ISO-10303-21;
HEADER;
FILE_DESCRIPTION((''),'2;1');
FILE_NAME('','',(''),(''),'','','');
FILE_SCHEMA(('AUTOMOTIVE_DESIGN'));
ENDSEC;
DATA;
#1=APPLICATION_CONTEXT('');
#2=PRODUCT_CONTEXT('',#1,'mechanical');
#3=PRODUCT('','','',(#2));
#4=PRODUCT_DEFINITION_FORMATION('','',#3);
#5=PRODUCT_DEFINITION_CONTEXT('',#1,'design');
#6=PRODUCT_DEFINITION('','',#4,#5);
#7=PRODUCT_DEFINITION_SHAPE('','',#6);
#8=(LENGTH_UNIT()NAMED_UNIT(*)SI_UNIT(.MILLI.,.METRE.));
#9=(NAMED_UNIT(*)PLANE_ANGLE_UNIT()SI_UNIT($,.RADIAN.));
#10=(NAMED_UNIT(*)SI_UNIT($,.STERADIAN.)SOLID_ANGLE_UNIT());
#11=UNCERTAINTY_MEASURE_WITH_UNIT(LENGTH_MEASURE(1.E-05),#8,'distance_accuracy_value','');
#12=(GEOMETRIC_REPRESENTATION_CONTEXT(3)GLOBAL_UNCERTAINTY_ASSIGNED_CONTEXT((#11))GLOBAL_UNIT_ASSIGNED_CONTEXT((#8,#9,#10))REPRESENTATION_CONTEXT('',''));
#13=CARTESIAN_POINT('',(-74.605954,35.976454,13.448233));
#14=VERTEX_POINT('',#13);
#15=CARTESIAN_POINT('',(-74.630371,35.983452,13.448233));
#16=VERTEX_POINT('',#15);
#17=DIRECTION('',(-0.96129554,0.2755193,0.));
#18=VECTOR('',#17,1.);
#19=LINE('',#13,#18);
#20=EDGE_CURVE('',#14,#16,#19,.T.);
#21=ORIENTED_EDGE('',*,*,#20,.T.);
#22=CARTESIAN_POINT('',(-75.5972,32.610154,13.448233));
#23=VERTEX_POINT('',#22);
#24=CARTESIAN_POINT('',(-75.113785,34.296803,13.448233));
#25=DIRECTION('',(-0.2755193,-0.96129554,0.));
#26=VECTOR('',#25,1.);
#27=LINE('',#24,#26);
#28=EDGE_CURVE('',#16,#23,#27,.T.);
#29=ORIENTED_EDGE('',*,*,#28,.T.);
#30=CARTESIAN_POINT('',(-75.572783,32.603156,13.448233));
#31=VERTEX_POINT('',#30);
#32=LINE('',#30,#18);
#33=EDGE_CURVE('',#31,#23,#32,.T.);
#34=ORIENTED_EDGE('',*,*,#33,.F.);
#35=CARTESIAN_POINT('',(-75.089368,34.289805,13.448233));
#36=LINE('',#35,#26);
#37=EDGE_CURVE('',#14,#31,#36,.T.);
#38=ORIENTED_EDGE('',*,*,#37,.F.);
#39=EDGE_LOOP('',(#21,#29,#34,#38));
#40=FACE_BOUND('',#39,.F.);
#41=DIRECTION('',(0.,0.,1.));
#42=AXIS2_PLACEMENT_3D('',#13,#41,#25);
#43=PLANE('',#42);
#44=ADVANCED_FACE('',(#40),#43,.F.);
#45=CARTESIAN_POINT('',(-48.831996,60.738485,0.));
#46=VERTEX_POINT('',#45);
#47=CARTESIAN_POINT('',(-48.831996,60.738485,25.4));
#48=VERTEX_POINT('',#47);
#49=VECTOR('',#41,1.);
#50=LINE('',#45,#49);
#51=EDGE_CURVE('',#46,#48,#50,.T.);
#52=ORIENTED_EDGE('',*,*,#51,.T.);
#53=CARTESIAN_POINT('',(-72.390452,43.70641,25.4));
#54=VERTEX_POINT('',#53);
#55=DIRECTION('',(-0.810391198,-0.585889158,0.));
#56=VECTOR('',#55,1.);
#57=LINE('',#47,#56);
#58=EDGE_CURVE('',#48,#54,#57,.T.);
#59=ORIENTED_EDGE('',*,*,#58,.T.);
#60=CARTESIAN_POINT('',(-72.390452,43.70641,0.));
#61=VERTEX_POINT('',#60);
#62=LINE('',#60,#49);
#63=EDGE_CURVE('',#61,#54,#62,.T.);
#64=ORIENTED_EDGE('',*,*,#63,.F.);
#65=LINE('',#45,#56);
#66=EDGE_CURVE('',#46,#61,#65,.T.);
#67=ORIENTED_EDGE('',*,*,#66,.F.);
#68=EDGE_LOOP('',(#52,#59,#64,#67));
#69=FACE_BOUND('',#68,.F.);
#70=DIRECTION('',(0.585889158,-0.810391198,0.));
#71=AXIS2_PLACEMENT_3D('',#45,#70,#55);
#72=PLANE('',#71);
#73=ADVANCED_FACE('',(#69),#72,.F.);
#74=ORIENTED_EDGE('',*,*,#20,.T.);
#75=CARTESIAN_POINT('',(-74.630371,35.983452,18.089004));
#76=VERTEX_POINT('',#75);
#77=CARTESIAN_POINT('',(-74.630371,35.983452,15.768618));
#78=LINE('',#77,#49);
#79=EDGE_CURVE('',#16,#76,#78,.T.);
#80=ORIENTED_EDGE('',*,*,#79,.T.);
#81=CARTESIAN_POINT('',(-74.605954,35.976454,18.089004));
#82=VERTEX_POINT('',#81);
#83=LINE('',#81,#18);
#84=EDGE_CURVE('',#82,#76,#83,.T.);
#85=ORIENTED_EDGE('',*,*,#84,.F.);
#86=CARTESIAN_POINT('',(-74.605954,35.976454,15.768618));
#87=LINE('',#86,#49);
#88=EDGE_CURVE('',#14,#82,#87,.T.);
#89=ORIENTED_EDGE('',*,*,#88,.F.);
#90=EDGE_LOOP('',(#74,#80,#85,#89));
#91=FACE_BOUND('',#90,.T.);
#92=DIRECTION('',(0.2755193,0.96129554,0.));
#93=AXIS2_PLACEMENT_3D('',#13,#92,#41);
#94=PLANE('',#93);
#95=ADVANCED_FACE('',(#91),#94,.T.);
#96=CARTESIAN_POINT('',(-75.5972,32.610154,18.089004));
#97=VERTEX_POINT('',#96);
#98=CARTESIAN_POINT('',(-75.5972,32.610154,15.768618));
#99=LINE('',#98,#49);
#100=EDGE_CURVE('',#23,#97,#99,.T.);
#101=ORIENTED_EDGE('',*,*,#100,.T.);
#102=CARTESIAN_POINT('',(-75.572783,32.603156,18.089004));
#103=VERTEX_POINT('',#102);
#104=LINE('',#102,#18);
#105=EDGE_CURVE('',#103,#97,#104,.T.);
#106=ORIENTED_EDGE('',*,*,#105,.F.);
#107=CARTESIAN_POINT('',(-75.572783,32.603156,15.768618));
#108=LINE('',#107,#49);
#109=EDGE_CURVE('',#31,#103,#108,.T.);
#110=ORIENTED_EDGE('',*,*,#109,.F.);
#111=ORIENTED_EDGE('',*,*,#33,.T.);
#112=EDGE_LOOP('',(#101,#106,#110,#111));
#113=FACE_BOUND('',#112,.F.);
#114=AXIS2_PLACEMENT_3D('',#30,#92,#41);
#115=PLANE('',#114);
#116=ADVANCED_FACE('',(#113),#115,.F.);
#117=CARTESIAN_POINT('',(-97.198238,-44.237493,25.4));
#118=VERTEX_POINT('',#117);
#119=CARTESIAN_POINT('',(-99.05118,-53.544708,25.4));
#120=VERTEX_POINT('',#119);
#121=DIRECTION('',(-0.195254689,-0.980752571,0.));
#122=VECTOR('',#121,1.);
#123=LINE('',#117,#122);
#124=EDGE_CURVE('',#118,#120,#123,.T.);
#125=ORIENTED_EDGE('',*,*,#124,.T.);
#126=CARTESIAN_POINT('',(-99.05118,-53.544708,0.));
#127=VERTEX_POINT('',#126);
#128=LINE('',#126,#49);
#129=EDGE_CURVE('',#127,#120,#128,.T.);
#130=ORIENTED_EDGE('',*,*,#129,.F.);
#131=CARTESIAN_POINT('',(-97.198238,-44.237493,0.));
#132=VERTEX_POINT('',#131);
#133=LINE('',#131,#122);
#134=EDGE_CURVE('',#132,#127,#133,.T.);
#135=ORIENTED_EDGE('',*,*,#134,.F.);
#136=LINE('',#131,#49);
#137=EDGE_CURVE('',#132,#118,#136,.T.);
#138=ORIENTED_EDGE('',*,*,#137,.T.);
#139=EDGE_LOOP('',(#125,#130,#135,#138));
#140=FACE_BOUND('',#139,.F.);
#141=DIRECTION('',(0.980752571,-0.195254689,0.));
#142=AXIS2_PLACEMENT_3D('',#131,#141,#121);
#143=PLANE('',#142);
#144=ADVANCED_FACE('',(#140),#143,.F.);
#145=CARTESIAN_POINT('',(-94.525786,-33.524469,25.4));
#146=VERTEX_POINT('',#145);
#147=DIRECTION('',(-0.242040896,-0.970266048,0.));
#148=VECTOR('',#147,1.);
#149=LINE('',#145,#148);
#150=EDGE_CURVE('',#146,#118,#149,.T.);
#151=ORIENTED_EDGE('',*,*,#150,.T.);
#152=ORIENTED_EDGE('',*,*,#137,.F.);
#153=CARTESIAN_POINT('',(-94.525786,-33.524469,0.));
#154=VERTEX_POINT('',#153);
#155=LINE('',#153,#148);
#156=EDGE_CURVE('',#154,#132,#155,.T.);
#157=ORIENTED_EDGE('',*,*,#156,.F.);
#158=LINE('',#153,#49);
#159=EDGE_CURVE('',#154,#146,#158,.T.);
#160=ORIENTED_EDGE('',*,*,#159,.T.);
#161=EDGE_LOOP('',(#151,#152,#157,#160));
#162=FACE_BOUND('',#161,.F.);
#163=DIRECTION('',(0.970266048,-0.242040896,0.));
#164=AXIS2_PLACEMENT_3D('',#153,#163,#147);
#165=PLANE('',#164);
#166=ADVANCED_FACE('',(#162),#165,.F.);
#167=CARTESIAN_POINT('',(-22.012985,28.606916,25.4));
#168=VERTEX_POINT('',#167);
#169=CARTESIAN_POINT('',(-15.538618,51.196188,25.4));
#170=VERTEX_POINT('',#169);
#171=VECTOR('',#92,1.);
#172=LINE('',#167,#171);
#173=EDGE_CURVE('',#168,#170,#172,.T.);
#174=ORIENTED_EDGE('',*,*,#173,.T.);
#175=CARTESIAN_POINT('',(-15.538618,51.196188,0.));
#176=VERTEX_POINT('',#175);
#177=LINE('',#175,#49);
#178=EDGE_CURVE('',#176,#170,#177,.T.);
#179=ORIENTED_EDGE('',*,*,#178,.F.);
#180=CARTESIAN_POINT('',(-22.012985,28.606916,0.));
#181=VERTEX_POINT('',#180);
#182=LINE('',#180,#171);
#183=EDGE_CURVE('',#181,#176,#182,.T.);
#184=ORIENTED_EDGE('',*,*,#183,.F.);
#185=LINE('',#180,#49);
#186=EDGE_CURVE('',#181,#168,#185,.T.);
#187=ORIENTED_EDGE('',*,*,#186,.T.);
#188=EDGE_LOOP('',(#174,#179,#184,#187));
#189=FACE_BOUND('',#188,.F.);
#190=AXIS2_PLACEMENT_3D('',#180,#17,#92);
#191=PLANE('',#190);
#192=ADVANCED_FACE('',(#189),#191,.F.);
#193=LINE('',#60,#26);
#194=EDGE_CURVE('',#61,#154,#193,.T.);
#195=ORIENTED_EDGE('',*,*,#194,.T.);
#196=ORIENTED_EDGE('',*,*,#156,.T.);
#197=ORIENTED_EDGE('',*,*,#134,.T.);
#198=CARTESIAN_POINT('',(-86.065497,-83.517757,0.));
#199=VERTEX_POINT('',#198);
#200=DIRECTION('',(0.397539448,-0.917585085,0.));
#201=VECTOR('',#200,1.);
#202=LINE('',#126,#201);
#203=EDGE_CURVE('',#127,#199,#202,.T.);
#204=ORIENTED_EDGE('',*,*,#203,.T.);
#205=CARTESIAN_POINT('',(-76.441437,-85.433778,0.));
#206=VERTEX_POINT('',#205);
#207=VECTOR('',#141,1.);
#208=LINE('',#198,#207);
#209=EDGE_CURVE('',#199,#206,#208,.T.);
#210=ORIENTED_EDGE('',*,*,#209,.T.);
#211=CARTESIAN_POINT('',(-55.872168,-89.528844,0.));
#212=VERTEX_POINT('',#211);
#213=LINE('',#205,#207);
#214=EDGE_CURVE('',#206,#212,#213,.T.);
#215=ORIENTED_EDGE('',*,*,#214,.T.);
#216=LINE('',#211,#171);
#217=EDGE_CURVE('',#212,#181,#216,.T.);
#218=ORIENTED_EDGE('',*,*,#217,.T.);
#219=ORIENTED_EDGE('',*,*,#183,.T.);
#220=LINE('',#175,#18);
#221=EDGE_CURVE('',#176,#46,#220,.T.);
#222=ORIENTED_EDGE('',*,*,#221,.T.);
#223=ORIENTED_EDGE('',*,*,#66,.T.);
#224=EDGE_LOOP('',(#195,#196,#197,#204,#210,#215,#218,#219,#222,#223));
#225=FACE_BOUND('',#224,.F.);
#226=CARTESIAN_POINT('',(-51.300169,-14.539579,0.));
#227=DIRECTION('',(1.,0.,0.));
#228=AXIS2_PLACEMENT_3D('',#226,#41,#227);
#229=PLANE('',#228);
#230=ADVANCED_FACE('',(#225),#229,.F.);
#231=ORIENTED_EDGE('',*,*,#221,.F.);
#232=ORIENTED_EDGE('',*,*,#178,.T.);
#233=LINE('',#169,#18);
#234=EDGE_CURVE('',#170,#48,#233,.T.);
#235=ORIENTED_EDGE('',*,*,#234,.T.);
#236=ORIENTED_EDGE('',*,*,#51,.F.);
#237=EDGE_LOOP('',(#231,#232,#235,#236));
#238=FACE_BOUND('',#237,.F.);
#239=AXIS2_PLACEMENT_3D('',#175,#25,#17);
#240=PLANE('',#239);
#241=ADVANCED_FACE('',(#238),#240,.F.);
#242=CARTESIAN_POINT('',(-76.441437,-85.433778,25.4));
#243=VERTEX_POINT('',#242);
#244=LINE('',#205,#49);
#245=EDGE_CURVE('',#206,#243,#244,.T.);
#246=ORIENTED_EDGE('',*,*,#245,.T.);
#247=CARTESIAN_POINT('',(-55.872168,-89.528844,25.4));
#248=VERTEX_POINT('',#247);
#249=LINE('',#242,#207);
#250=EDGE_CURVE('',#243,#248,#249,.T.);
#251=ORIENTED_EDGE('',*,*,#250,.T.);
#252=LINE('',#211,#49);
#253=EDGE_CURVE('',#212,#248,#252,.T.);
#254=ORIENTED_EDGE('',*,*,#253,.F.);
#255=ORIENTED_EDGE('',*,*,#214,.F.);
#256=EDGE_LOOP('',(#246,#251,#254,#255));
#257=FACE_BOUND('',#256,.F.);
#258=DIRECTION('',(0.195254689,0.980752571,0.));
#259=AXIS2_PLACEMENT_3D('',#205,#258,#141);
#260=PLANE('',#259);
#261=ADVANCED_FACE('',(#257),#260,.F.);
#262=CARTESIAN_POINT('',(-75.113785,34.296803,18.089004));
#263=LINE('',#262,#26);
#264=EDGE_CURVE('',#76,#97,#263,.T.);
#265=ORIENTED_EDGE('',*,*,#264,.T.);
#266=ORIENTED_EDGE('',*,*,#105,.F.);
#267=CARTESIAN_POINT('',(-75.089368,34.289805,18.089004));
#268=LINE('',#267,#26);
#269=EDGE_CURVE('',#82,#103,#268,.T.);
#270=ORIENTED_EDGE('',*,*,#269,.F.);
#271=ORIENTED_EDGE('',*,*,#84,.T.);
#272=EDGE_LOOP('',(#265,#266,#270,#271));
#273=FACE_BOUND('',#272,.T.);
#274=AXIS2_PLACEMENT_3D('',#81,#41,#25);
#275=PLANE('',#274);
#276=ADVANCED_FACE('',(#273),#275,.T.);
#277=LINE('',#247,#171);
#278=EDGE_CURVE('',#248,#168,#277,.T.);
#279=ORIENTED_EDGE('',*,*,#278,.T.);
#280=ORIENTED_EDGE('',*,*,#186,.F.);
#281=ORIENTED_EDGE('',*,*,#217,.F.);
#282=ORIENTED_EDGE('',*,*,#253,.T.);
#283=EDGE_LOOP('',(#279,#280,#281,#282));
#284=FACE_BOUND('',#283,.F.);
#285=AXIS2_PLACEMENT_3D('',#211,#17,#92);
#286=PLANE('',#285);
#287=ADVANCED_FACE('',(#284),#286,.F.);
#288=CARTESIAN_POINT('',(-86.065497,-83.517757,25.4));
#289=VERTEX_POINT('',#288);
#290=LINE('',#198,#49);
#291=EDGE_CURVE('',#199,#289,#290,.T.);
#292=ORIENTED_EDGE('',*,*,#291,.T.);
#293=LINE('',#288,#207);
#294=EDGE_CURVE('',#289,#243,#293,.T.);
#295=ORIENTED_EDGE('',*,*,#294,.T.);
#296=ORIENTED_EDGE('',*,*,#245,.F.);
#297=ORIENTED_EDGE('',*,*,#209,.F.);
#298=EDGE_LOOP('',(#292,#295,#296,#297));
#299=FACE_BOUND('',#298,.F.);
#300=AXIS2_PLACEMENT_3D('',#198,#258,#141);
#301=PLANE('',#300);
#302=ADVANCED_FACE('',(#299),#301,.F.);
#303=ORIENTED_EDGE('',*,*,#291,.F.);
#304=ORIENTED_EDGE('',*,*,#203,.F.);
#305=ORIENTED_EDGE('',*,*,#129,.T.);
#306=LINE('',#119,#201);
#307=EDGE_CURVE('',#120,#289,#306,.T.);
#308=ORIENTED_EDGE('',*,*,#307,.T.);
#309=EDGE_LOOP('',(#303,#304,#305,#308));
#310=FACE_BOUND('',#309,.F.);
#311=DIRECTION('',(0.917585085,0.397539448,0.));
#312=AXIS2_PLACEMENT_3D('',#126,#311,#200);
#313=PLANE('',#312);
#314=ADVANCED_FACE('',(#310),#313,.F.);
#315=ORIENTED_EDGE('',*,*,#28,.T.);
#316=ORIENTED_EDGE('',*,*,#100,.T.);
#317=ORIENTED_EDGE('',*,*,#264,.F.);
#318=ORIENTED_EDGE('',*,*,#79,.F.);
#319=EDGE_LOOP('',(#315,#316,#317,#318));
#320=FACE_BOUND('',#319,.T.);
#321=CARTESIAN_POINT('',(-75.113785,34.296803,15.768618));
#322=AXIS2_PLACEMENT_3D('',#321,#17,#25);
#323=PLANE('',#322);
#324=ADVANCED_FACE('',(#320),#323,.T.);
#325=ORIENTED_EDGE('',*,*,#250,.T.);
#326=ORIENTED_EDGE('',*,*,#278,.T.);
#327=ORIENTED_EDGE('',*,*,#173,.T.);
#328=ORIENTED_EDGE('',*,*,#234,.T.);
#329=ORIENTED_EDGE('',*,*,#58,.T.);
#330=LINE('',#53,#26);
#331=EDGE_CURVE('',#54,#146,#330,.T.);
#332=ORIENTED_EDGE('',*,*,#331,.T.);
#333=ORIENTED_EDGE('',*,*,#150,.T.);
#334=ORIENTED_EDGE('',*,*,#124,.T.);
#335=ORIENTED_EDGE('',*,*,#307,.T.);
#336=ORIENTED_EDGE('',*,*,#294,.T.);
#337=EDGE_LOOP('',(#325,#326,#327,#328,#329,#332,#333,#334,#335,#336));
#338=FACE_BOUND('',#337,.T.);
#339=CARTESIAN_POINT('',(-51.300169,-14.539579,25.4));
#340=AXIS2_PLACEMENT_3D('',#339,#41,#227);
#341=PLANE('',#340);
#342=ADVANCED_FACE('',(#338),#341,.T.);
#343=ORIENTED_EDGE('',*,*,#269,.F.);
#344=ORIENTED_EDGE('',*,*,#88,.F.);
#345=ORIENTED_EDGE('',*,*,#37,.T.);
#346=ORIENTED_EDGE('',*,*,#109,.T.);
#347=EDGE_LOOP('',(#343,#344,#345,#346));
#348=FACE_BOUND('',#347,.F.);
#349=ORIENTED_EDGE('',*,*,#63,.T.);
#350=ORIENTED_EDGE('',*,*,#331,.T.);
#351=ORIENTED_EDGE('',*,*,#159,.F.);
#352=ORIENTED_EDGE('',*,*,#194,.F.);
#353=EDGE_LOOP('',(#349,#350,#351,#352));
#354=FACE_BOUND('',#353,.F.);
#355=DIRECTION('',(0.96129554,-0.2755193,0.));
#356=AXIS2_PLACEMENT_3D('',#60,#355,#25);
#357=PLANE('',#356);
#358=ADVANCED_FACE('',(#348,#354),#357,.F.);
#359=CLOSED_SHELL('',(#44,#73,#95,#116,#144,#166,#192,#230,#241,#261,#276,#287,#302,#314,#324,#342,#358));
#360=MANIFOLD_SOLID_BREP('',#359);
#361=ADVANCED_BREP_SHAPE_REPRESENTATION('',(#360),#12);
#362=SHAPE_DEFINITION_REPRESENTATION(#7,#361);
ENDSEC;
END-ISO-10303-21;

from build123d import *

# Parameters (mm, degrees)
F1_DEPTH = 25.4
F2_W     = 3.5091163591
F2_H     = 4.6407710761
F3_DEPTH = 0.0254


with BuildPart() as f1:
    # F0 (on Top) → F1 (new body)
    with BuildSketch(Plane.XY):
        Polygon((-15.5386179686, 51.1961877346), (-48.8319955766, 60.7384853065), (-49.6143862535, 57.6021264383), (-76.441437006, -49.9391071498), (-86.0654970387, -83.5177565662), (-76.441437006, -85.4337778982), (-55.8721683804, -89.5288435292), (-38.5488659292, -29.0872941455), (-22.0129852453, 28.6069158224), align=None)
        Polygon((-49.6143862535, 57.6021264383), (-48.8319955766, 60.7384853065), (-72.3904520273, 43.7064096332), (-94.5257858226, -33.524469091), (-97.1982382925, -44.2374929704), (-93.384412075, -57.6940258869), (-86.0654970387, -83.5177565662), (-76.441437006, -49.9391071498), align=None)
        Polygon((-99.0511800836, -53.5447082589), (-86.0654970387, -83.5177565662), (-93.384412075, -57.6940258869), (-97.1982382925, -44.2374929704), align=None)
    extrude(amount=F1_DEPTH)

    # F2 (on face) → F3 (join)
    with BuildSketch(Plane(origin=(-78.4711106248, 22.4907997378, 0), x_dir=(-0.2755193001, -0.96129554, 0), z_dir=(-0.96129554, 0.2755193001, 0))):
        with Locations((-12.2740664519, 15.7686183229)):
            Rectangle(F2_W, F2_H)
    extrude(amount=F3_DEPTH)


solid = f1.part
